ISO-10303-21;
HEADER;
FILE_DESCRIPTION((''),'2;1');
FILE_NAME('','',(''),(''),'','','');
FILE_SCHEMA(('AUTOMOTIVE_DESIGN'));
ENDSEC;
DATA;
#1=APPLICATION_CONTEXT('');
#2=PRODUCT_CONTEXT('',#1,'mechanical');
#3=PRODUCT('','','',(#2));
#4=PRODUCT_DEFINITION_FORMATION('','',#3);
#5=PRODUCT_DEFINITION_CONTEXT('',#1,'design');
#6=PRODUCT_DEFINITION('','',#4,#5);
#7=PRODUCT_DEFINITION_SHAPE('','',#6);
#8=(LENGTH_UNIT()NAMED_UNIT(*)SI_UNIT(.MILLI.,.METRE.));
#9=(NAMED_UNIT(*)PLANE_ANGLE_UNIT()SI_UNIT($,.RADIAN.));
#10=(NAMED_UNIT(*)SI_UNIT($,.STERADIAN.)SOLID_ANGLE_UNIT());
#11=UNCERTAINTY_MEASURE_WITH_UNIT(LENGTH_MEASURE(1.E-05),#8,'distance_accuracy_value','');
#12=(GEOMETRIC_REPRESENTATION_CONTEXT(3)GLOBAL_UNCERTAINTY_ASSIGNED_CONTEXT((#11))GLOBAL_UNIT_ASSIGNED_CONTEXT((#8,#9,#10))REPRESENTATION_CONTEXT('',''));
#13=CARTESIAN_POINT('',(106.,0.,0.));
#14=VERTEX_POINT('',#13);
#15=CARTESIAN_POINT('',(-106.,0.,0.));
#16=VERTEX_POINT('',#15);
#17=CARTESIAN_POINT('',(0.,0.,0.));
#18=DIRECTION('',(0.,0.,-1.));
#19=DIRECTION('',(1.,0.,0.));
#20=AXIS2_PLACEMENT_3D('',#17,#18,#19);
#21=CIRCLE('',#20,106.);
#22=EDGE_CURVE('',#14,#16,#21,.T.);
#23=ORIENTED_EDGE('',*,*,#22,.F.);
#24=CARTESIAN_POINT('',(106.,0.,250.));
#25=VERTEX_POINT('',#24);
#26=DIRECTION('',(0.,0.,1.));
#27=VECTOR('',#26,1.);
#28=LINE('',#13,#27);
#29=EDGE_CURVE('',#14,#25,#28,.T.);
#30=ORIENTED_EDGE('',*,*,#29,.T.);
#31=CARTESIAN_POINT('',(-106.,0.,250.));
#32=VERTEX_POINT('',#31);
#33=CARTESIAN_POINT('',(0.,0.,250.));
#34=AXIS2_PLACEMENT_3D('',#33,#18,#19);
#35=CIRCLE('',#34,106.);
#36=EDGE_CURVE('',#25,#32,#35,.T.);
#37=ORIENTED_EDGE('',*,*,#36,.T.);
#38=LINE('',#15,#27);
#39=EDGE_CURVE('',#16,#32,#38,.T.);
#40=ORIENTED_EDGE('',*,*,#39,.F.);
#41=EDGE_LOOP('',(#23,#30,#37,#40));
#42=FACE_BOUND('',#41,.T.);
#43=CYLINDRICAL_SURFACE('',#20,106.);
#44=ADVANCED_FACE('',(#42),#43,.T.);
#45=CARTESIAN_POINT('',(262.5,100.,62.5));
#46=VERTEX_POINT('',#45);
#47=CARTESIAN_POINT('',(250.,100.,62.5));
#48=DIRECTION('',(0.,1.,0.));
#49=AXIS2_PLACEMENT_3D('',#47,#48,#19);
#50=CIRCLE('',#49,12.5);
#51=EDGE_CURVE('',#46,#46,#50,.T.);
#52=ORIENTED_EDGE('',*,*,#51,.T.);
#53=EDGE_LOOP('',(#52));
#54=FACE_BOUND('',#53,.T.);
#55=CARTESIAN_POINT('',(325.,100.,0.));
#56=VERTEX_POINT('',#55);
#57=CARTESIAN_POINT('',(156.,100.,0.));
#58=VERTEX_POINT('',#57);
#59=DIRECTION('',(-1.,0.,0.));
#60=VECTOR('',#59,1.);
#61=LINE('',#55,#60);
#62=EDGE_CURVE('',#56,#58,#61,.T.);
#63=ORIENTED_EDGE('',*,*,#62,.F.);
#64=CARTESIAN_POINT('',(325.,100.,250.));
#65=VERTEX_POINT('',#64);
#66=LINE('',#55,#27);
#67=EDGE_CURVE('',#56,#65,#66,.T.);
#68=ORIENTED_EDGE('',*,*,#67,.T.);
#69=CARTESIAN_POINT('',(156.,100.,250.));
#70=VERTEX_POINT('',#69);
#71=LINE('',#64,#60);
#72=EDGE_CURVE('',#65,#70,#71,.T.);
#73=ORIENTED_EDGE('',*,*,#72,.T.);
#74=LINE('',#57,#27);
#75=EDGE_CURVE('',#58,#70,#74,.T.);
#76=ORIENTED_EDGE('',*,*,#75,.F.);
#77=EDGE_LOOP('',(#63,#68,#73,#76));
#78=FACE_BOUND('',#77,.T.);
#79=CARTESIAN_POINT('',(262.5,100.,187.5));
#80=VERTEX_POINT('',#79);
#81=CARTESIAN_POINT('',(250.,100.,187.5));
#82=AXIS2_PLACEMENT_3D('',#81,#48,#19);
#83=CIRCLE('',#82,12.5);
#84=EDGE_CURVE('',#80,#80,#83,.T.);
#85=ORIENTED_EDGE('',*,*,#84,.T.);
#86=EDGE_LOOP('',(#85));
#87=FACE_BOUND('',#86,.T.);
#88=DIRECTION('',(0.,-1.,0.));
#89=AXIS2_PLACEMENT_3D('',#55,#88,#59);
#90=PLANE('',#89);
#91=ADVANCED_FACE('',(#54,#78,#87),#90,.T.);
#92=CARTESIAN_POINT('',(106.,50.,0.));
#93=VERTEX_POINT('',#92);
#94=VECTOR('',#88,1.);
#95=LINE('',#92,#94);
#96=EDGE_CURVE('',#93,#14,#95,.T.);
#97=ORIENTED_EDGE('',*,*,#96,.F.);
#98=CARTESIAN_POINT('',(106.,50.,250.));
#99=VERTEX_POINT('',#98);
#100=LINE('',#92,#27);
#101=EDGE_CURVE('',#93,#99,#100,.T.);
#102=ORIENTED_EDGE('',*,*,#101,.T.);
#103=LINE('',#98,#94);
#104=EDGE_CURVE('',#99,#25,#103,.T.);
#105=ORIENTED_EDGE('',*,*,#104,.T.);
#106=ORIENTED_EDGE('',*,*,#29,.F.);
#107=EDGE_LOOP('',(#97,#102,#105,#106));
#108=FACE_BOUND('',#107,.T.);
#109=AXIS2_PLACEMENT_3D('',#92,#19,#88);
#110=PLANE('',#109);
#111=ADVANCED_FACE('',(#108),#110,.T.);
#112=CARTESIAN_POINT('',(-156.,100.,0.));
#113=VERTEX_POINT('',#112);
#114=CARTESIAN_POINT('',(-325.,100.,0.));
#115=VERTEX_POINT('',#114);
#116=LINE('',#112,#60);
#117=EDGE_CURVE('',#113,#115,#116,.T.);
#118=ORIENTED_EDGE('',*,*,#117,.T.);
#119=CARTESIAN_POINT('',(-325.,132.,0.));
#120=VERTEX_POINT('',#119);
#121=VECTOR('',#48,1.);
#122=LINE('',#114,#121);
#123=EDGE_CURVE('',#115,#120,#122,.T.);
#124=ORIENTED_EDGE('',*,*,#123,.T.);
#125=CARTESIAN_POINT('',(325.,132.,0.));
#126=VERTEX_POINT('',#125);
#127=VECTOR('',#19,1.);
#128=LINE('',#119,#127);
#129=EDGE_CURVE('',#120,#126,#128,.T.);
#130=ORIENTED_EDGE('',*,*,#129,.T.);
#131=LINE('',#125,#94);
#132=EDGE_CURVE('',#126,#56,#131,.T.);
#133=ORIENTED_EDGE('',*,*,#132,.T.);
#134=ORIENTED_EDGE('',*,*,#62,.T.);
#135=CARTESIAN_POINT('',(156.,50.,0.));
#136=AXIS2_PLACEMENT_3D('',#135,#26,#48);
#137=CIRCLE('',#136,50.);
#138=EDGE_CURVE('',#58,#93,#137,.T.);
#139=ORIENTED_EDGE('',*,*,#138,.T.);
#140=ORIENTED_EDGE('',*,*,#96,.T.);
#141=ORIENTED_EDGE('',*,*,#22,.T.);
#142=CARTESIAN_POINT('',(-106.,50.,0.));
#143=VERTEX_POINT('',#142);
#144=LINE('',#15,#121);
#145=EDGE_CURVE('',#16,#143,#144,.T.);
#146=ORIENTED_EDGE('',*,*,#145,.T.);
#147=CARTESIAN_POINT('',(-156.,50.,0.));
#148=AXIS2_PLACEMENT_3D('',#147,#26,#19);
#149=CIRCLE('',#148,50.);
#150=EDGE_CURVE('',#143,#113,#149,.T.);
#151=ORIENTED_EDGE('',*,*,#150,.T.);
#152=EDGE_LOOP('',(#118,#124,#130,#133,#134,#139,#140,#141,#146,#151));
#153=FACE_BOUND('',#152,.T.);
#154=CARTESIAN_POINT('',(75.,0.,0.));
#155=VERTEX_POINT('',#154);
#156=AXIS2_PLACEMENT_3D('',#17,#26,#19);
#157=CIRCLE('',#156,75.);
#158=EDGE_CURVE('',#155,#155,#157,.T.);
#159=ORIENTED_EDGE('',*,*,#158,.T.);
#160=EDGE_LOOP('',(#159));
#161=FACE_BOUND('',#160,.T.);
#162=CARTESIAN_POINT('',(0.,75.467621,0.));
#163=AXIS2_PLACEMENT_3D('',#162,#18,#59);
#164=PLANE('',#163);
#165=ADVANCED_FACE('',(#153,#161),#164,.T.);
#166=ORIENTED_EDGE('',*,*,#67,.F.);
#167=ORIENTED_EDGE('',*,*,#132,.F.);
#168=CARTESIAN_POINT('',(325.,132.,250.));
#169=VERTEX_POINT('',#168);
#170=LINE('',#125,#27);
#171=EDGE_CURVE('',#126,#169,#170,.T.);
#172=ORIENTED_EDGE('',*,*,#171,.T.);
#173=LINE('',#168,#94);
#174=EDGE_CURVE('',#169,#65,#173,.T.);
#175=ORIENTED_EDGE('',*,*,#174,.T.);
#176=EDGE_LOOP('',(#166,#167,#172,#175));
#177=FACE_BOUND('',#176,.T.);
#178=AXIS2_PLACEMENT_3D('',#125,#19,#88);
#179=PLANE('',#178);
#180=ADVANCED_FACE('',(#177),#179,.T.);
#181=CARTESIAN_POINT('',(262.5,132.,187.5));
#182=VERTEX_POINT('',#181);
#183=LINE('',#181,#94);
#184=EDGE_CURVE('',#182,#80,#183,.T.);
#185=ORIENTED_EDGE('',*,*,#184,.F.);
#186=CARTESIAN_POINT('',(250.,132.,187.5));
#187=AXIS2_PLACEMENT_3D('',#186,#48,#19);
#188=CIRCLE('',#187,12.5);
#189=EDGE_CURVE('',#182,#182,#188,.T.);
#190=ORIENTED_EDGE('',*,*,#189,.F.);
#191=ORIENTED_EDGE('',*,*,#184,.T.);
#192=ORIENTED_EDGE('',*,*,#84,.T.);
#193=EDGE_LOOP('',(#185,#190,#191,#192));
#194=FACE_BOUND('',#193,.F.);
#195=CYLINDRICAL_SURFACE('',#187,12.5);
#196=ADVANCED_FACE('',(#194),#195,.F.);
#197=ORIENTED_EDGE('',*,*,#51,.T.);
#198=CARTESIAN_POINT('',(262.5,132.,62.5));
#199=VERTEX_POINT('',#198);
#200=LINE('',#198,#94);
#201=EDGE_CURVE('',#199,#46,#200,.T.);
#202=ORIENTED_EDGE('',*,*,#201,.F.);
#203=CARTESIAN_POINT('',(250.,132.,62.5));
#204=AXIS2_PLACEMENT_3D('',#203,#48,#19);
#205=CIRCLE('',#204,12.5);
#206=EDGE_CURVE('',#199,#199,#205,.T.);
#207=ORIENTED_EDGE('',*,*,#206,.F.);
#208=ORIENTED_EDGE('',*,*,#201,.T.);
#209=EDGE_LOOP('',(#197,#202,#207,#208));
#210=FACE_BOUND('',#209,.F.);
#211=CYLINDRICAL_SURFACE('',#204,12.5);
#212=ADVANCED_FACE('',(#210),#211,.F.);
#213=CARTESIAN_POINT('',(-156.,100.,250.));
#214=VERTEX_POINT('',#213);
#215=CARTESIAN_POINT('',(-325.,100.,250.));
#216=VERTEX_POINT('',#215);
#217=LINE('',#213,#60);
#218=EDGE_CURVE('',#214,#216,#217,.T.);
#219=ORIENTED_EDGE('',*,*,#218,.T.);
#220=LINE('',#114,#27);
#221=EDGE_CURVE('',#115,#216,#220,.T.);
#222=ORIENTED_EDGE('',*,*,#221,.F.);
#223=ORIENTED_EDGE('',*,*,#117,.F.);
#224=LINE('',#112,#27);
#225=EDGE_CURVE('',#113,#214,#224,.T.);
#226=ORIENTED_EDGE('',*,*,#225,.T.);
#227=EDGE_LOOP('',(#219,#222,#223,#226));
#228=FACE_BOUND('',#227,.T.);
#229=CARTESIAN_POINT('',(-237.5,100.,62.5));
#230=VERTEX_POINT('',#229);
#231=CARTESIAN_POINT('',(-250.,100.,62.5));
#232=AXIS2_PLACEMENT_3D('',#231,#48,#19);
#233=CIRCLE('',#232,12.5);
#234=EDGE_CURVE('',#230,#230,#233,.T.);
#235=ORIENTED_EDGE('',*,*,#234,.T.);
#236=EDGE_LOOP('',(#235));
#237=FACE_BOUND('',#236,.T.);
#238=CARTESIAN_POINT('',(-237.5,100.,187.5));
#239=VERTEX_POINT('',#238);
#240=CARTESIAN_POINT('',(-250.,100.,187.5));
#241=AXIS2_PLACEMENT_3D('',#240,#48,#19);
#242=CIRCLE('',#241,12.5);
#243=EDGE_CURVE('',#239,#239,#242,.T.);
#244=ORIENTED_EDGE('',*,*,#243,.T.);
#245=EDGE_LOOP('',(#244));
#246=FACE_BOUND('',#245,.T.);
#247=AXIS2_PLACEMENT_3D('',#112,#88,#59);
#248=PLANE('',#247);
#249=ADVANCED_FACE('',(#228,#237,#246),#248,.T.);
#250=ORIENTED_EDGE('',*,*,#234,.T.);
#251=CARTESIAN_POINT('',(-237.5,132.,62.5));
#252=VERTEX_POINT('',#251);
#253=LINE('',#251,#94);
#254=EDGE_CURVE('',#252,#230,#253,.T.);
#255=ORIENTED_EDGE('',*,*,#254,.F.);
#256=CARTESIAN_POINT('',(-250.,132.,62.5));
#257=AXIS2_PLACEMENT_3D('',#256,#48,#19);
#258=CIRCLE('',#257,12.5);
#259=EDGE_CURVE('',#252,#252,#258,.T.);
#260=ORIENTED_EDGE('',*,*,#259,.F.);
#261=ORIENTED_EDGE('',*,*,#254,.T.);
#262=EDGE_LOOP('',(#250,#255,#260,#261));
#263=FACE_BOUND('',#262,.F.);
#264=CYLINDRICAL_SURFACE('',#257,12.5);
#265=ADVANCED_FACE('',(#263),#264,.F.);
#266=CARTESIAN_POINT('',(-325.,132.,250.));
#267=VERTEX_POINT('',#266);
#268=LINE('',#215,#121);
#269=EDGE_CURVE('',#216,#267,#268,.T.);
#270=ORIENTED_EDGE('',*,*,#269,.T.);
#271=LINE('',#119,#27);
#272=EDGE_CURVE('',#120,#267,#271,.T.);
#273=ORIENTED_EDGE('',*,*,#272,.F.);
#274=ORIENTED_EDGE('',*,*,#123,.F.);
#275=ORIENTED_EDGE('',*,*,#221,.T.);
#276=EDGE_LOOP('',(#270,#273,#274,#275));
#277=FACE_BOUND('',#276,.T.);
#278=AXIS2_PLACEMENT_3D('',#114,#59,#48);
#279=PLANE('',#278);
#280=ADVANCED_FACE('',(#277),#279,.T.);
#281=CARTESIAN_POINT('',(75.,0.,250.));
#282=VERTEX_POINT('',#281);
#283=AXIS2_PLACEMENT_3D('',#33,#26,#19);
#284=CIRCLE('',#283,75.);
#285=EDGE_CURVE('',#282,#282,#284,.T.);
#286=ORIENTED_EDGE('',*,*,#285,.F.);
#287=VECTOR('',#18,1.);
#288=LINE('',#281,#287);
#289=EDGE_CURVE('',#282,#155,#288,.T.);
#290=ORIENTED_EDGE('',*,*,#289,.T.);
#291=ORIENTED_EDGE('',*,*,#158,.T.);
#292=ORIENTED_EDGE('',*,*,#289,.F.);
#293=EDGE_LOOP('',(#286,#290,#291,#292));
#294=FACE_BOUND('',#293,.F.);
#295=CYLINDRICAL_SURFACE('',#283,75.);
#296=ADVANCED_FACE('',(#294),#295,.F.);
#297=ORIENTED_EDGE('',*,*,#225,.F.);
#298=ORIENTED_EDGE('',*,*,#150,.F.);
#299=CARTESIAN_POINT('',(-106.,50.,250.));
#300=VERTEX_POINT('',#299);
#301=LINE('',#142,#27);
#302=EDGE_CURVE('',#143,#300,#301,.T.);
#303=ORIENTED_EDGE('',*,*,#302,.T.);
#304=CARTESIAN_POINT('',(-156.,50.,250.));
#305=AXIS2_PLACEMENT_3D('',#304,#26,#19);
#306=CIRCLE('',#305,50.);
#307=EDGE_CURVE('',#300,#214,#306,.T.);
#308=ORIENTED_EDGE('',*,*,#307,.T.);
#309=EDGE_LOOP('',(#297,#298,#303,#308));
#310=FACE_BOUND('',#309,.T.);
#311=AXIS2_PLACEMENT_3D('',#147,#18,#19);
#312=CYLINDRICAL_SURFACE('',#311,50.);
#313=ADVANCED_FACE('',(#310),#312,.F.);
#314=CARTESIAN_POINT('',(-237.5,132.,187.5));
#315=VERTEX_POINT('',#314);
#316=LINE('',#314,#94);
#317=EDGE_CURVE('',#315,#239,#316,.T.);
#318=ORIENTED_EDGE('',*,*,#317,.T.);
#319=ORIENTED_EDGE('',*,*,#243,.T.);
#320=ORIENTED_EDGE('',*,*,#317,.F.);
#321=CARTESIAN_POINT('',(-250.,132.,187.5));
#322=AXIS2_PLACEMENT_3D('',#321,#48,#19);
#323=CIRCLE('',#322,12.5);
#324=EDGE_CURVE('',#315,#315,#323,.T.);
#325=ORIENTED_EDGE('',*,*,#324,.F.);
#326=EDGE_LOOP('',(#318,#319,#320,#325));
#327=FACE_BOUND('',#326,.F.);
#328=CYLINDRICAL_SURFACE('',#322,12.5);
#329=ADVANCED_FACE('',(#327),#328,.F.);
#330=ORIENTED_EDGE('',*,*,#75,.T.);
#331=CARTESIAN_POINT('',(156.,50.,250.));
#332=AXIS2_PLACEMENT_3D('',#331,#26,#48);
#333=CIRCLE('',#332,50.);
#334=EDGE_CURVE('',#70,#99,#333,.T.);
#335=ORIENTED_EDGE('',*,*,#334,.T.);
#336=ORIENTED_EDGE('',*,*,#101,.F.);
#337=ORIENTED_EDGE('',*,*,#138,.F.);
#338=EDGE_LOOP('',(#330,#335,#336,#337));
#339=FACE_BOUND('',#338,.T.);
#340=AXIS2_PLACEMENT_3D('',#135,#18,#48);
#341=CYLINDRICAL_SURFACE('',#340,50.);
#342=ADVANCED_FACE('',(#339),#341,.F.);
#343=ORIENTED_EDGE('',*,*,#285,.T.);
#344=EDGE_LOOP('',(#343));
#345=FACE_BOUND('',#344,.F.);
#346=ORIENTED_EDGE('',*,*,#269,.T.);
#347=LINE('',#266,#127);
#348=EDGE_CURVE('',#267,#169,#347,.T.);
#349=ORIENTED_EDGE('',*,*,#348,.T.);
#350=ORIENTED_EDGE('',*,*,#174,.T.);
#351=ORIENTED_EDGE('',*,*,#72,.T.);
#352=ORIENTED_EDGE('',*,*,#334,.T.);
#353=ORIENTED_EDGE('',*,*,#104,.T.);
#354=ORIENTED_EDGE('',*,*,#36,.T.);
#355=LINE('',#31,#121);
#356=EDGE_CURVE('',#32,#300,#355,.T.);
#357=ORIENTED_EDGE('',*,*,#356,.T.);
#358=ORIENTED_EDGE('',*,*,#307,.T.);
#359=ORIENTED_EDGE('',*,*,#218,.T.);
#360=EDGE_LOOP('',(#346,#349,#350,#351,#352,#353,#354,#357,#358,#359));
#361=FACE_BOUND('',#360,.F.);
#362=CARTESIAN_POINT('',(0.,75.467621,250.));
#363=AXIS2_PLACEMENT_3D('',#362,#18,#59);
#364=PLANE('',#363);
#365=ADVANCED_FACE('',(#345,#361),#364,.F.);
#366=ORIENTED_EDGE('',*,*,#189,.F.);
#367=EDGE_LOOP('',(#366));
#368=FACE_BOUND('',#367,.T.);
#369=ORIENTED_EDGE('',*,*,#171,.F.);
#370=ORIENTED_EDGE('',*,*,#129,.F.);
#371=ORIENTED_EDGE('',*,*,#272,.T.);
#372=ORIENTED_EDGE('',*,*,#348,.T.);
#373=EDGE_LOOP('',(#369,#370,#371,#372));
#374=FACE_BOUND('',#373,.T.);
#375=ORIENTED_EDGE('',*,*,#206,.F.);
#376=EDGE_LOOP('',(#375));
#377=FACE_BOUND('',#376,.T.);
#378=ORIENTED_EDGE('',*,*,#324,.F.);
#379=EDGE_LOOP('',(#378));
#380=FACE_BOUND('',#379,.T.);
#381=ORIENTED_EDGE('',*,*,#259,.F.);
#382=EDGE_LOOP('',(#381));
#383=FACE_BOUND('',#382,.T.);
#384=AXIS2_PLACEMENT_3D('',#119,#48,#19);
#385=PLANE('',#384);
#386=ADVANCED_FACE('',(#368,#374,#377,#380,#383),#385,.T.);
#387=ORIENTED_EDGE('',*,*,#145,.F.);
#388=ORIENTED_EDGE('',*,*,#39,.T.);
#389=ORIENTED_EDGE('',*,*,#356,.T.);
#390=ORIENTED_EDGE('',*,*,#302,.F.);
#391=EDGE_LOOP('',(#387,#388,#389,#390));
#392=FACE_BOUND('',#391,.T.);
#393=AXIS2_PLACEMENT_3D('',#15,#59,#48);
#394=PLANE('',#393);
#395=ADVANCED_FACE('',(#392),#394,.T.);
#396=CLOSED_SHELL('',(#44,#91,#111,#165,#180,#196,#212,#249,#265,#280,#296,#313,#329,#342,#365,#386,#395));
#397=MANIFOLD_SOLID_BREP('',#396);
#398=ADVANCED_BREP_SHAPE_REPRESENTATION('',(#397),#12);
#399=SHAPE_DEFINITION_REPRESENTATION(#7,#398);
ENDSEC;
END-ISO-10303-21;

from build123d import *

# Parameters (mm, degrees)
BOSS_EXTRUDE1_DEPTH = 250
SKETCH2_R           = 75
CUT_EXTRUDE1_DEPTH  = 250
SKETCH3_R           = 12.5
CUT_EXTRUDE2_DEPTH  = 250


with BuildPart() as part:
    # Sketch1 → Boss-Extrude1 (new body)
    with BuildSketch(Plane.XY):
        with BuildLine():
            Line((-325, 132), (325, 132))
            Line((325, 132), (325, 100))
            Line((325, 100), (156, 100))
            ThreePointArc((156, 100), (120.644660941, 85.355339059), (106, 50))
            Line((106, 50), (106, 0))
            ThreePointArc((106, 0), (0, -106), (-106, 0))
            Line((-106, 0), (-106, 50))
            ThreePointArc((-106, 50), (-120.644660941, 85.355339059), (-156, 100))
            Line((-156, 100), (-325, 100))
            Line((-325, 100), (-325, 132))
        make_face()
    extrude(amount=BOSS_EXTRUDE1_DEPTH)

    # Sketch2 → Cut-Extrude1 (cut)
    with BuildSketch(Plane.XY.offset(250)):
        Circle(SKETCH2_R)
    extrude(amount=-CUT_EXTRUDE1_DEPTH, mode=Mode.SUBTRACT)

    # Sketch3 → Cut-Extrude2 (cut)
    with BuildSketch(Plane(origin=(0, 132, 0), x_dir=(1, 0, 0), z_dir=(0, 1, 0))):
        with Locations((-250, -62.5)):
            Circle(SKETCH3_R)
        with Locations((-250, -187.5)):
            Circle(SKETCH3_R)
        with Locations((250, -187.5)):
            Circle(SKETCH3_R)
        with Locations((250, -62.5)):
            Circle(SKETCH3_R)
    extrude(amount=-CUT_EXTRUDE2_DEPTH, mode=Mode.SUBTRACT)


solid = part.part
